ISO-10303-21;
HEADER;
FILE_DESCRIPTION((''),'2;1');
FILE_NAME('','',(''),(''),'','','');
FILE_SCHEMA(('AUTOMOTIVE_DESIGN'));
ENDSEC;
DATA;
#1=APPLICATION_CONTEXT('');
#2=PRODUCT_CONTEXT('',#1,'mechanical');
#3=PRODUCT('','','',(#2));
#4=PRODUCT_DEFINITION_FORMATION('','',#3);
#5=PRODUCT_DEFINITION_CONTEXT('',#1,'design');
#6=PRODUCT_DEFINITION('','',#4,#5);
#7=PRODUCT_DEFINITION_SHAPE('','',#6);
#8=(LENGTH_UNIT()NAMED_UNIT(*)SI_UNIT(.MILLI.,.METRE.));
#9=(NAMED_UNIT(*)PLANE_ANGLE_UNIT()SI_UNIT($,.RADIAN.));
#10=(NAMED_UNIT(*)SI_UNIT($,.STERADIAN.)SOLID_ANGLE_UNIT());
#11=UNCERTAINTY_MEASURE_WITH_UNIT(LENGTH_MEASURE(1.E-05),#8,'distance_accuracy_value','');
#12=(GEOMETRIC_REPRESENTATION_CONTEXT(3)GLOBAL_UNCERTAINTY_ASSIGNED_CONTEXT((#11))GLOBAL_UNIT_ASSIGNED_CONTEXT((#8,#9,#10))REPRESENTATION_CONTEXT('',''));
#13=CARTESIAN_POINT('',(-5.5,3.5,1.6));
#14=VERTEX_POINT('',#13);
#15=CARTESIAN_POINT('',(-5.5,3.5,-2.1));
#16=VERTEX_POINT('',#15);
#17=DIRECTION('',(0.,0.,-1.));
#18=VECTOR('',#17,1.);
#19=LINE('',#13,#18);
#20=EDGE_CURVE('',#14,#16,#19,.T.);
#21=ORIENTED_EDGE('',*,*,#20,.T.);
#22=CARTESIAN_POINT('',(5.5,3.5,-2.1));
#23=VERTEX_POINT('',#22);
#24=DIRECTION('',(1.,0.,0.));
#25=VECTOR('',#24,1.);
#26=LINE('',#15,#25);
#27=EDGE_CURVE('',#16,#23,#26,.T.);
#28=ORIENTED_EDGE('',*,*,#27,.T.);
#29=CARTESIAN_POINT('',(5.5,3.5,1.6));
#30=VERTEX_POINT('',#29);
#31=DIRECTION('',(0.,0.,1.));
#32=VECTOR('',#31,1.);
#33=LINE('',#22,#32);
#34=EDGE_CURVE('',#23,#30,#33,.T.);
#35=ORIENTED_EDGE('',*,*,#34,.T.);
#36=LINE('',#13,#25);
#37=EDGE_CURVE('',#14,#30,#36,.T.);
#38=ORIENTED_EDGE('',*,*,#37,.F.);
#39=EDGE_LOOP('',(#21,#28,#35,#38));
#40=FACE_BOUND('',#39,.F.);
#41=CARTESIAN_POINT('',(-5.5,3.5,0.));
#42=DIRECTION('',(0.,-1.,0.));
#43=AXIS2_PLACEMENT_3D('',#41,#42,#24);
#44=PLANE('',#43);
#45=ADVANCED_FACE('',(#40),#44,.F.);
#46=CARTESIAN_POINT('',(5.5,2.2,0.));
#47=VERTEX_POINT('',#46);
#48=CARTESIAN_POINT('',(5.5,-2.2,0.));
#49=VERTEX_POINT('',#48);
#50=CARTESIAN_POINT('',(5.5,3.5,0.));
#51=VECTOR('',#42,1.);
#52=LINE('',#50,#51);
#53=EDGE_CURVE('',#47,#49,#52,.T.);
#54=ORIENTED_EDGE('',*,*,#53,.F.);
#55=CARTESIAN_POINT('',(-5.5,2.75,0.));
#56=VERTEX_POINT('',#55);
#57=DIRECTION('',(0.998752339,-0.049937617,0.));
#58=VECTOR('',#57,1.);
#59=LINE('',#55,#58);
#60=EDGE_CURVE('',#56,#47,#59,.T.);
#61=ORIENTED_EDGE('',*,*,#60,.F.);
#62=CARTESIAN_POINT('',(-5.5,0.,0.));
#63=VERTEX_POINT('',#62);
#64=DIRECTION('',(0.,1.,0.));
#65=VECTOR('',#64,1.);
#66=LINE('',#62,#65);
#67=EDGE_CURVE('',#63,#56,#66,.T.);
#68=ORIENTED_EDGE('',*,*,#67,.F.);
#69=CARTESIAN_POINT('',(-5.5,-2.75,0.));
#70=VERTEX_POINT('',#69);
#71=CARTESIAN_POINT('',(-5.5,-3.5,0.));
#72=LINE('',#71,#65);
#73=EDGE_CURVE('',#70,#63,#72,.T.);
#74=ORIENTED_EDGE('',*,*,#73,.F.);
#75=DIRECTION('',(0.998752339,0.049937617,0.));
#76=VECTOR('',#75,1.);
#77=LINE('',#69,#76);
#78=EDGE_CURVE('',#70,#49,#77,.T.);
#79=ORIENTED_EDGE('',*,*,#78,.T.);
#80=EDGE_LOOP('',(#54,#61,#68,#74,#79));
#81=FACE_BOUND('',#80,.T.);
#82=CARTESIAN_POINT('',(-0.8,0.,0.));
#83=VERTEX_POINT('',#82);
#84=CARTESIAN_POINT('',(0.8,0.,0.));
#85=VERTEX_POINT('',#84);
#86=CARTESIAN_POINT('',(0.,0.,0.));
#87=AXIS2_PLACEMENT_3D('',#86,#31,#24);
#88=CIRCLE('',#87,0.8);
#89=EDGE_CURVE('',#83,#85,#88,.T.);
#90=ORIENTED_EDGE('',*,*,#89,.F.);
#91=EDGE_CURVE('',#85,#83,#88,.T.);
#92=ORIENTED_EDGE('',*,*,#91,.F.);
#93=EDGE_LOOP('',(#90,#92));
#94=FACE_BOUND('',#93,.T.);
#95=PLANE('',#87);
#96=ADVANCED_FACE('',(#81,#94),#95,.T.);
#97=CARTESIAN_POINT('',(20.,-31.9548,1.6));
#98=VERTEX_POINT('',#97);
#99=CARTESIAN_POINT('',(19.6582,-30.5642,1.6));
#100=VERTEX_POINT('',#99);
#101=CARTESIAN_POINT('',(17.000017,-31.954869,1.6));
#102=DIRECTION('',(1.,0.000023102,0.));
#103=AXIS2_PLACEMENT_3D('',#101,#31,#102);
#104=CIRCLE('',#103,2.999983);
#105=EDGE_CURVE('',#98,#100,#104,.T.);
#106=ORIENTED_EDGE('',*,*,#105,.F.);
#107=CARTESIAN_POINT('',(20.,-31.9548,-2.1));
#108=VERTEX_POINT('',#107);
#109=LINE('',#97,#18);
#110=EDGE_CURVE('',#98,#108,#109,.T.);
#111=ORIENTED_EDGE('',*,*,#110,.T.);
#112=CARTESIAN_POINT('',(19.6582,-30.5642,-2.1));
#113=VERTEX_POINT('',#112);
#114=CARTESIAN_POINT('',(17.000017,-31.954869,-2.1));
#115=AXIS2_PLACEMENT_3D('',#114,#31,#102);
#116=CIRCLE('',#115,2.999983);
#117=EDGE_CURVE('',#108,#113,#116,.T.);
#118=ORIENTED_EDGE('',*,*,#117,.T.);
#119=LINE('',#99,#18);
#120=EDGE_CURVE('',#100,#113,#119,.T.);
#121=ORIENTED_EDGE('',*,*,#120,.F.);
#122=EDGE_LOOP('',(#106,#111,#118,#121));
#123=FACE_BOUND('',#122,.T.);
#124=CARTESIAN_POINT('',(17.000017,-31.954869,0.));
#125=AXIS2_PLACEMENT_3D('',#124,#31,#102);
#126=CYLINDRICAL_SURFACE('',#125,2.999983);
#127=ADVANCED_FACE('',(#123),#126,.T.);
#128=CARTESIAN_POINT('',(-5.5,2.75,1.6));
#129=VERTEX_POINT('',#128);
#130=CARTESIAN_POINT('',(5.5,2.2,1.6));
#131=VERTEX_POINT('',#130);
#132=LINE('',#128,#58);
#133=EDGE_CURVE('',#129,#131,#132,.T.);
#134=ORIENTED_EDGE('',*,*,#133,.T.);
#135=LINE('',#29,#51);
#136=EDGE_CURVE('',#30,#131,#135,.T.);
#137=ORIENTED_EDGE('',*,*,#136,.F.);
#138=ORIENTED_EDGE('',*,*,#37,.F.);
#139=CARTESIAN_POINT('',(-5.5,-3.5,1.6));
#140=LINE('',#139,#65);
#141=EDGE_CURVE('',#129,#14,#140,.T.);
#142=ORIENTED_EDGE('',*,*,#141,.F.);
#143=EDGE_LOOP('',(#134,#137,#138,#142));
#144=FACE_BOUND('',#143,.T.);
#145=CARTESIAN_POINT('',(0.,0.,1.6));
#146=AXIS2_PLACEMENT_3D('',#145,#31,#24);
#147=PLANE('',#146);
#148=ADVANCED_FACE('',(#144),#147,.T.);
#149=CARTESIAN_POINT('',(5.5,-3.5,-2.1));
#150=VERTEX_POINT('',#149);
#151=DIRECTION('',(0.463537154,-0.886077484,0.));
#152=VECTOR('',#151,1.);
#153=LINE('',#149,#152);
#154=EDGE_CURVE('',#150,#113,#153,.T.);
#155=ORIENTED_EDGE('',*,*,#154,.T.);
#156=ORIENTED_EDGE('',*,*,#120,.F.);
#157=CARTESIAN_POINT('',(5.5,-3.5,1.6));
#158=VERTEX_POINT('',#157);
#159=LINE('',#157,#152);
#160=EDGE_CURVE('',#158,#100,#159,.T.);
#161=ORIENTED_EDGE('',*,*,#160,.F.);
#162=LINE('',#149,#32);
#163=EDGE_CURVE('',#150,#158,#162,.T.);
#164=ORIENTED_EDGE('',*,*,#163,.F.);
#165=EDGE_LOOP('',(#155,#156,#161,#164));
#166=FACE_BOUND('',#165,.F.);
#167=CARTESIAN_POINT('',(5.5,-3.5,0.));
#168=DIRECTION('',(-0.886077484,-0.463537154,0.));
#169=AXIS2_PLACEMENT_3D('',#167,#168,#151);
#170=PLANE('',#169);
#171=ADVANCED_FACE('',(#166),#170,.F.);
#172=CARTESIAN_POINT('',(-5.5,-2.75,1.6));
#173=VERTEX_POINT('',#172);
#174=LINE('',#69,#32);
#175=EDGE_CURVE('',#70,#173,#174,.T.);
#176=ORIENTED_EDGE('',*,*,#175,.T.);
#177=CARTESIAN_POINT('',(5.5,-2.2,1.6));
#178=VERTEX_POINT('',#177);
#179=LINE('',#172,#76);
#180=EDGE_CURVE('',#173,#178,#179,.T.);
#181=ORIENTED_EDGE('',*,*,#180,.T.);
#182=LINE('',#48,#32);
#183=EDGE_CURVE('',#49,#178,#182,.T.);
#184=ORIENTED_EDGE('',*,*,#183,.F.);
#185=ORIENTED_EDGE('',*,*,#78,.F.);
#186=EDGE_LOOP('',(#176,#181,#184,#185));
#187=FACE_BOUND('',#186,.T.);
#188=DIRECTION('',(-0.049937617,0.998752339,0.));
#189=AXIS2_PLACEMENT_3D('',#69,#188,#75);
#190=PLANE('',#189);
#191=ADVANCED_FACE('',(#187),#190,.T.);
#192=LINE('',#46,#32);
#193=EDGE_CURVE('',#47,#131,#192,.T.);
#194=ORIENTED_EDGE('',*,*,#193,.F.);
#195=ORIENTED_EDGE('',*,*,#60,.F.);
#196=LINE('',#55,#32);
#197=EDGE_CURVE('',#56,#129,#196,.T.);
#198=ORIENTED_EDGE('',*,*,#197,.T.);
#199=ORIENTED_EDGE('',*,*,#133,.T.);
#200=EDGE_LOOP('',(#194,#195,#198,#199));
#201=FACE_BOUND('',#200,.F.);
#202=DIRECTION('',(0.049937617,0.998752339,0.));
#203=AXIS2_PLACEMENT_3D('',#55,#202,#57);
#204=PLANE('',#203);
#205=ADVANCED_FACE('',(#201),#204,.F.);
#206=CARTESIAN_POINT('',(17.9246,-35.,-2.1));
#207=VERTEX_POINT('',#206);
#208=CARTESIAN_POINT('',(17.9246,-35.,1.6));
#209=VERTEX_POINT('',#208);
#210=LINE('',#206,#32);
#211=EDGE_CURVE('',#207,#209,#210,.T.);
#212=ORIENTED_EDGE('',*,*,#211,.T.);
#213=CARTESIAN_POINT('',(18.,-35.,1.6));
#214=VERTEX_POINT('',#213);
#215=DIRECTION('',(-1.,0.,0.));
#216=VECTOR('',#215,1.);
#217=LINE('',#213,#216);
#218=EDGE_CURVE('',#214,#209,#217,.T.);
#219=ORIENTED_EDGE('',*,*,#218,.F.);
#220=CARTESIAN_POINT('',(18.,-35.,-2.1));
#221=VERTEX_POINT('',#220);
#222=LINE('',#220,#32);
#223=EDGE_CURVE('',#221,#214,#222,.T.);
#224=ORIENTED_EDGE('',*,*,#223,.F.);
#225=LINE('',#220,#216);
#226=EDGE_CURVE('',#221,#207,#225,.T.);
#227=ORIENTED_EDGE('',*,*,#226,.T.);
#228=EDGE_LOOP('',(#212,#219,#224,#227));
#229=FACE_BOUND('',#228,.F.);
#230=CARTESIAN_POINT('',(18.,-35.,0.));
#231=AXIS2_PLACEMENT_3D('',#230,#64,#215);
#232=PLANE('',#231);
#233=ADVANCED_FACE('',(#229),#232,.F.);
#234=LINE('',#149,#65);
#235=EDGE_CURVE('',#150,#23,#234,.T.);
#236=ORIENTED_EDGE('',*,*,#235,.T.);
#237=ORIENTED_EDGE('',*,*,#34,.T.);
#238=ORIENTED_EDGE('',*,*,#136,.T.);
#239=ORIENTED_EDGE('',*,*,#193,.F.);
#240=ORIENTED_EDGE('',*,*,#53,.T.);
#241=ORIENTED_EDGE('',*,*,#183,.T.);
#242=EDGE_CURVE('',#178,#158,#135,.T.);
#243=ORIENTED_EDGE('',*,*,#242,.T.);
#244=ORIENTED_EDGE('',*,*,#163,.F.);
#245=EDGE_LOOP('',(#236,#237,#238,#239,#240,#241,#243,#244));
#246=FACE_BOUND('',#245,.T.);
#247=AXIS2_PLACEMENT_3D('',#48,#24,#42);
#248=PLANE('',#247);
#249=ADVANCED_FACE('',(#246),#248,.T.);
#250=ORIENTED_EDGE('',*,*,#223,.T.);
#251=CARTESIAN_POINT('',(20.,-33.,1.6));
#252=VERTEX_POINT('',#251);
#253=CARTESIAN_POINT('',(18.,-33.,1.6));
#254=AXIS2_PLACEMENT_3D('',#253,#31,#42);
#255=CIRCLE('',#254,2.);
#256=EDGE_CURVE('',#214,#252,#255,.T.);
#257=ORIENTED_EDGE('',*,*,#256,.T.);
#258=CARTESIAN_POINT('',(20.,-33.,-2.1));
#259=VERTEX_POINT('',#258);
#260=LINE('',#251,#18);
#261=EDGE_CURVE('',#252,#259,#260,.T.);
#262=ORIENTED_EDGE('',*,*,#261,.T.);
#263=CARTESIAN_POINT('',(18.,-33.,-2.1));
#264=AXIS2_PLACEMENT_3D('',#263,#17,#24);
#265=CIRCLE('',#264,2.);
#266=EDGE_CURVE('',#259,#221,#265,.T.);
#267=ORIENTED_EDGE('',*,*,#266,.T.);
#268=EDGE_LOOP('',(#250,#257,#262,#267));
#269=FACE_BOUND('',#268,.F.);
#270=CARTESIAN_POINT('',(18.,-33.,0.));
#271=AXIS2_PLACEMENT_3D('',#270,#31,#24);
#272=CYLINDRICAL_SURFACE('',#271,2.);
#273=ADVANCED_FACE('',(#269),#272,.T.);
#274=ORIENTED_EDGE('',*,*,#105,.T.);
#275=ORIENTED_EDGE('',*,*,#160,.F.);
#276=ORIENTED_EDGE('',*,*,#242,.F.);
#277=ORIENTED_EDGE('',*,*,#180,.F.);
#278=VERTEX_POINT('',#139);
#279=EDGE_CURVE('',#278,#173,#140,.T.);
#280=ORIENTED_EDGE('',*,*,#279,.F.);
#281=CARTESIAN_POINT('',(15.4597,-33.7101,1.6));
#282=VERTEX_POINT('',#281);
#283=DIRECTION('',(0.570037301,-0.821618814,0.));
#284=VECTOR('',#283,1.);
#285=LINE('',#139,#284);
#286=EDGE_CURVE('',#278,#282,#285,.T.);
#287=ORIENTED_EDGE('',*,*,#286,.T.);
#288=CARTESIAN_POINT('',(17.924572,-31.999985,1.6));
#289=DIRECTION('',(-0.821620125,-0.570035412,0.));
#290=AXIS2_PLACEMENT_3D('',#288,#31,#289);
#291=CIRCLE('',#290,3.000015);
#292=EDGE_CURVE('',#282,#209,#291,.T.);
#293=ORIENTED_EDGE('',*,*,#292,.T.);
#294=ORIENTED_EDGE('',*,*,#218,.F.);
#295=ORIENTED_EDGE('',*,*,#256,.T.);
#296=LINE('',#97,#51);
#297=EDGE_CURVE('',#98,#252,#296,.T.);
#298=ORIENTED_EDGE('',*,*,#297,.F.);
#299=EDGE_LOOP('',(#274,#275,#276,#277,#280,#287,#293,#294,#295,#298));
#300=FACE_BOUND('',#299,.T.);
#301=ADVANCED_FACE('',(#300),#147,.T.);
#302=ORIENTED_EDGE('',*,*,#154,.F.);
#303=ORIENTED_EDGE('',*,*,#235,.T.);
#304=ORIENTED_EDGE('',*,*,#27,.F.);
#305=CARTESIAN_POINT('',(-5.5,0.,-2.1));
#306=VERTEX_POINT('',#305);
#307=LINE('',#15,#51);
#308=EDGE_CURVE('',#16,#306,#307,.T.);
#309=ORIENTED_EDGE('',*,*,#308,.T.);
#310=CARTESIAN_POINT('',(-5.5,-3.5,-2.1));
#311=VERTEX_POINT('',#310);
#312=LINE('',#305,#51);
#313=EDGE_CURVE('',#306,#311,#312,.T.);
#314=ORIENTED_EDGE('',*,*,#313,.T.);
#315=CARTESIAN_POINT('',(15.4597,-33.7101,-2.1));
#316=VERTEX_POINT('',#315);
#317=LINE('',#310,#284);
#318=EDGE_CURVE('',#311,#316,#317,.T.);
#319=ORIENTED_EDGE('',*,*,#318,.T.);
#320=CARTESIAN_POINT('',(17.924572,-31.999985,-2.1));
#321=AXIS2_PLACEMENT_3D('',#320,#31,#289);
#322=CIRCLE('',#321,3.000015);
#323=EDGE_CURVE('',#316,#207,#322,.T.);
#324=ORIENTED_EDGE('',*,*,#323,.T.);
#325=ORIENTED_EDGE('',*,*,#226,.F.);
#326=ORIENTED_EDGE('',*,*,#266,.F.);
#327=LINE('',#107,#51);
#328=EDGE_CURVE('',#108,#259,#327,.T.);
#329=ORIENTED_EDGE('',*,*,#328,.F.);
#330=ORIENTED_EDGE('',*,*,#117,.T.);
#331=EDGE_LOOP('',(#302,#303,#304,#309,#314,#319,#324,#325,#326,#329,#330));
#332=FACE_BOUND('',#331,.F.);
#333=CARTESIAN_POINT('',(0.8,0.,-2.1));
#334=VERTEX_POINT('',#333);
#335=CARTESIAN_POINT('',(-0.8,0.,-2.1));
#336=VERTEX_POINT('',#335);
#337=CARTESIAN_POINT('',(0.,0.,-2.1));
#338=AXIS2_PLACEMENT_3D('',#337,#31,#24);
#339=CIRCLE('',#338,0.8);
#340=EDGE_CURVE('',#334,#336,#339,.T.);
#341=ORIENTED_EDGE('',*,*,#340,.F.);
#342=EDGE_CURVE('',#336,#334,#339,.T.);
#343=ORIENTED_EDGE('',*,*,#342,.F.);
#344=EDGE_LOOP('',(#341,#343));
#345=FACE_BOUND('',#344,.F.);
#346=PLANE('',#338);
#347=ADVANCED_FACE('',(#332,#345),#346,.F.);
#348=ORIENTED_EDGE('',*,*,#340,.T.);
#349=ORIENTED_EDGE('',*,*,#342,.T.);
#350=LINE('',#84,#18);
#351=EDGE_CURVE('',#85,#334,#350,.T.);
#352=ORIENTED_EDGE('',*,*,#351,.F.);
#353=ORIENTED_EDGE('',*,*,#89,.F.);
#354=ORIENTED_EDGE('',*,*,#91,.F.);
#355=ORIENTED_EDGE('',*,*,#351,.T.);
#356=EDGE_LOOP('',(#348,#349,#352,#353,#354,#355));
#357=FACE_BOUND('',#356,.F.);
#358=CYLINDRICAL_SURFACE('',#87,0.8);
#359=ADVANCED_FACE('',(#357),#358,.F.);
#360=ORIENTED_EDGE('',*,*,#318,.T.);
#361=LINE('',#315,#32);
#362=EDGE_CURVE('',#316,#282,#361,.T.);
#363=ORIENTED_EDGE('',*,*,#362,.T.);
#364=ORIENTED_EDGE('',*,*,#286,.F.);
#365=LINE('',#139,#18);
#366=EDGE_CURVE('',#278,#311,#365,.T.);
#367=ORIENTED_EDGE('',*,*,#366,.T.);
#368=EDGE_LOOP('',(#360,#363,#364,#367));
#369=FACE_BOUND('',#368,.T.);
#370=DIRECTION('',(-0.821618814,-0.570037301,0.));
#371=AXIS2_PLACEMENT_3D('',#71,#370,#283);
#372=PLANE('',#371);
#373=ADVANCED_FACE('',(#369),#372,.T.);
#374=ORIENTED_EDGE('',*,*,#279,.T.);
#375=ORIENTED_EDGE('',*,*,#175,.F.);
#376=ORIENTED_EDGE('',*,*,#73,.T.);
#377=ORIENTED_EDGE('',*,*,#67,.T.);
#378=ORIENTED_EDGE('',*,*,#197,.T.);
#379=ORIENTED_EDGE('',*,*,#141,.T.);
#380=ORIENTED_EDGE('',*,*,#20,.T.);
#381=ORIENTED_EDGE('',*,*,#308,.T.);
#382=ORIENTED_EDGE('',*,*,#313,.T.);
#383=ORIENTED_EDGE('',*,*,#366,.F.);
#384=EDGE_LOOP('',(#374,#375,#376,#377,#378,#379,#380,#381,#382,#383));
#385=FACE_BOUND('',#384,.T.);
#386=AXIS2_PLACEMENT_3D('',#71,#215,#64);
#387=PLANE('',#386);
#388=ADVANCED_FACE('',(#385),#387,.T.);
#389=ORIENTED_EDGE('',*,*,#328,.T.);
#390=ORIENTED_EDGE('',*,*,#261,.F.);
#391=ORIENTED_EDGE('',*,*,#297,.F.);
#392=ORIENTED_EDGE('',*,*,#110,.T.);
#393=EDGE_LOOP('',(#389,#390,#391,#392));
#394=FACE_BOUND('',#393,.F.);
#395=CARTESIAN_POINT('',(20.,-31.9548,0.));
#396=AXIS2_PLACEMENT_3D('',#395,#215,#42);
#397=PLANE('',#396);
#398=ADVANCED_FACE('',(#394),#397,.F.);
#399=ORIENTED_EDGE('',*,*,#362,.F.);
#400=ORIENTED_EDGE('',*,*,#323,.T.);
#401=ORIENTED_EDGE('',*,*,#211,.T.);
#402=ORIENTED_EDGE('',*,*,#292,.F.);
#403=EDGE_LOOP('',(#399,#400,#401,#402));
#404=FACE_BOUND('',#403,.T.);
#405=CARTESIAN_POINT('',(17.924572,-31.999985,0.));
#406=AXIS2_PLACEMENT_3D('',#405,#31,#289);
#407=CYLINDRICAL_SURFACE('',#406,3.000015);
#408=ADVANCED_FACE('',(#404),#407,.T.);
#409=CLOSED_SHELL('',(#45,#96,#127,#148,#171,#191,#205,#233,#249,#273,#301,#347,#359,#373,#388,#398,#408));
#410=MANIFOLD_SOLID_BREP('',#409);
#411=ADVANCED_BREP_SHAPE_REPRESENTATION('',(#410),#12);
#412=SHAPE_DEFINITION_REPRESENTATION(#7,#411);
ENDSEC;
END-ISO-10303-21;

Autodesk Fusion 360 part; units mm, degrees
sketch "Sketch1" plane through (0, 0, 0) normal (0, 0, 1) x (1, 0, 0)
  line L0 (5.5, -3.5) -> (-5.5, -3.5)
  line L1 (-5.5, -3.5) -> (-5.5, 3.5)
  line L2 (-5.5, 3.5) -> (5.5, 3.5)
  line L3 (5.5, 3.5) -> (5.5, -3.5)
  line L4 (5.5, -3.5) -> (-5.5, 3.5) construction
  line L5 (-5.5, -3.5) -> (5.5, 3.5) construction
  line L6 (-5.5, 2.75) -> (-5.5, -2.75)
  line L7 (5.5, 2.2) -> (5.5, -2.2)
  line L8 (-5.5, 2.75) -> (5.5, 2.2)
  line L9 (-5.5, -2.75) -> (5.5, -2.2)
  circle A0 centre (0, 0) radius 0.8
  line L10 (-5.5, -3.5) -> (20, -3.5) construction
  line L11 (20, -31.9548) -> (20, -33)
  line L12 (18, -35) -> (17.9246, -35)
  line L13 (-5.5, -46.9761) -> (-5.5, -3.5) construction
  circle A1 centre (-12, 0) radius 47.4236 construction
  line L14 (0, 0) -> (-12, 0)
  line L15 (5.5, -3.5) -> (19.6582, -30.5642)
  line L16 (-5.5, -3.5) -> (15.4597, -33.7101)
  arc A2 (18, -35) -> (20, -33) centre (18, -33) ccw
  circle A3 centre (-12, 0) radius 46.596
  arc A4 (15.4597, -33.7101) -> (17.9246, -35) centre (17.9246, -32) ccw
  arc A5 (20, -31.9548) -> (19.6582, -30.5642) centre (17, -31.9548) ccw
  point P0 (-5.5, -35)
  dimension "d1" = 11
  dimension "d2" = 7
  dimension "d3" = 5.5
  dimension "d4" = 4.4
  dimension "d5" = 1.6
  dimension "d16" = 35
  dimension "d17" = 20
  dimension "d19" = 12
  dimension "d20" = 11.9761
  dimension "d21" = 2
  dimension "d22" = 3
extrude "Extrude1" add sketch "Sketch1" along normal blind 1.6 contours L0 L1 L3 L9 | L1 L2 L3 L8 makes body 1 at (-1.8333, 2.5667, 0.5333) makes body 2 at (-1.8333, -2.5667, 0.5333)
extrude "Extrude2" add sketch "Sketch1" against normal blind 2.1 contours L0 L1 L3 L9 | L1 L3 L6 L7 L8 L9 | L1 L2 L3 L8 bodies 2 1
extrude "Extrude5" add sketch "Sketch1" along normal up to surface (1.6 mm away) contours L0 L11 L12 L15 L16 A2 A3 A4 A5 bodies 2
extrude "Extrude6" add 1 faces at (5.1532, -13.57, 0) along direction (0, 0, -1) up to surface (2.1 mm away) on bodies 2 bodies 2
